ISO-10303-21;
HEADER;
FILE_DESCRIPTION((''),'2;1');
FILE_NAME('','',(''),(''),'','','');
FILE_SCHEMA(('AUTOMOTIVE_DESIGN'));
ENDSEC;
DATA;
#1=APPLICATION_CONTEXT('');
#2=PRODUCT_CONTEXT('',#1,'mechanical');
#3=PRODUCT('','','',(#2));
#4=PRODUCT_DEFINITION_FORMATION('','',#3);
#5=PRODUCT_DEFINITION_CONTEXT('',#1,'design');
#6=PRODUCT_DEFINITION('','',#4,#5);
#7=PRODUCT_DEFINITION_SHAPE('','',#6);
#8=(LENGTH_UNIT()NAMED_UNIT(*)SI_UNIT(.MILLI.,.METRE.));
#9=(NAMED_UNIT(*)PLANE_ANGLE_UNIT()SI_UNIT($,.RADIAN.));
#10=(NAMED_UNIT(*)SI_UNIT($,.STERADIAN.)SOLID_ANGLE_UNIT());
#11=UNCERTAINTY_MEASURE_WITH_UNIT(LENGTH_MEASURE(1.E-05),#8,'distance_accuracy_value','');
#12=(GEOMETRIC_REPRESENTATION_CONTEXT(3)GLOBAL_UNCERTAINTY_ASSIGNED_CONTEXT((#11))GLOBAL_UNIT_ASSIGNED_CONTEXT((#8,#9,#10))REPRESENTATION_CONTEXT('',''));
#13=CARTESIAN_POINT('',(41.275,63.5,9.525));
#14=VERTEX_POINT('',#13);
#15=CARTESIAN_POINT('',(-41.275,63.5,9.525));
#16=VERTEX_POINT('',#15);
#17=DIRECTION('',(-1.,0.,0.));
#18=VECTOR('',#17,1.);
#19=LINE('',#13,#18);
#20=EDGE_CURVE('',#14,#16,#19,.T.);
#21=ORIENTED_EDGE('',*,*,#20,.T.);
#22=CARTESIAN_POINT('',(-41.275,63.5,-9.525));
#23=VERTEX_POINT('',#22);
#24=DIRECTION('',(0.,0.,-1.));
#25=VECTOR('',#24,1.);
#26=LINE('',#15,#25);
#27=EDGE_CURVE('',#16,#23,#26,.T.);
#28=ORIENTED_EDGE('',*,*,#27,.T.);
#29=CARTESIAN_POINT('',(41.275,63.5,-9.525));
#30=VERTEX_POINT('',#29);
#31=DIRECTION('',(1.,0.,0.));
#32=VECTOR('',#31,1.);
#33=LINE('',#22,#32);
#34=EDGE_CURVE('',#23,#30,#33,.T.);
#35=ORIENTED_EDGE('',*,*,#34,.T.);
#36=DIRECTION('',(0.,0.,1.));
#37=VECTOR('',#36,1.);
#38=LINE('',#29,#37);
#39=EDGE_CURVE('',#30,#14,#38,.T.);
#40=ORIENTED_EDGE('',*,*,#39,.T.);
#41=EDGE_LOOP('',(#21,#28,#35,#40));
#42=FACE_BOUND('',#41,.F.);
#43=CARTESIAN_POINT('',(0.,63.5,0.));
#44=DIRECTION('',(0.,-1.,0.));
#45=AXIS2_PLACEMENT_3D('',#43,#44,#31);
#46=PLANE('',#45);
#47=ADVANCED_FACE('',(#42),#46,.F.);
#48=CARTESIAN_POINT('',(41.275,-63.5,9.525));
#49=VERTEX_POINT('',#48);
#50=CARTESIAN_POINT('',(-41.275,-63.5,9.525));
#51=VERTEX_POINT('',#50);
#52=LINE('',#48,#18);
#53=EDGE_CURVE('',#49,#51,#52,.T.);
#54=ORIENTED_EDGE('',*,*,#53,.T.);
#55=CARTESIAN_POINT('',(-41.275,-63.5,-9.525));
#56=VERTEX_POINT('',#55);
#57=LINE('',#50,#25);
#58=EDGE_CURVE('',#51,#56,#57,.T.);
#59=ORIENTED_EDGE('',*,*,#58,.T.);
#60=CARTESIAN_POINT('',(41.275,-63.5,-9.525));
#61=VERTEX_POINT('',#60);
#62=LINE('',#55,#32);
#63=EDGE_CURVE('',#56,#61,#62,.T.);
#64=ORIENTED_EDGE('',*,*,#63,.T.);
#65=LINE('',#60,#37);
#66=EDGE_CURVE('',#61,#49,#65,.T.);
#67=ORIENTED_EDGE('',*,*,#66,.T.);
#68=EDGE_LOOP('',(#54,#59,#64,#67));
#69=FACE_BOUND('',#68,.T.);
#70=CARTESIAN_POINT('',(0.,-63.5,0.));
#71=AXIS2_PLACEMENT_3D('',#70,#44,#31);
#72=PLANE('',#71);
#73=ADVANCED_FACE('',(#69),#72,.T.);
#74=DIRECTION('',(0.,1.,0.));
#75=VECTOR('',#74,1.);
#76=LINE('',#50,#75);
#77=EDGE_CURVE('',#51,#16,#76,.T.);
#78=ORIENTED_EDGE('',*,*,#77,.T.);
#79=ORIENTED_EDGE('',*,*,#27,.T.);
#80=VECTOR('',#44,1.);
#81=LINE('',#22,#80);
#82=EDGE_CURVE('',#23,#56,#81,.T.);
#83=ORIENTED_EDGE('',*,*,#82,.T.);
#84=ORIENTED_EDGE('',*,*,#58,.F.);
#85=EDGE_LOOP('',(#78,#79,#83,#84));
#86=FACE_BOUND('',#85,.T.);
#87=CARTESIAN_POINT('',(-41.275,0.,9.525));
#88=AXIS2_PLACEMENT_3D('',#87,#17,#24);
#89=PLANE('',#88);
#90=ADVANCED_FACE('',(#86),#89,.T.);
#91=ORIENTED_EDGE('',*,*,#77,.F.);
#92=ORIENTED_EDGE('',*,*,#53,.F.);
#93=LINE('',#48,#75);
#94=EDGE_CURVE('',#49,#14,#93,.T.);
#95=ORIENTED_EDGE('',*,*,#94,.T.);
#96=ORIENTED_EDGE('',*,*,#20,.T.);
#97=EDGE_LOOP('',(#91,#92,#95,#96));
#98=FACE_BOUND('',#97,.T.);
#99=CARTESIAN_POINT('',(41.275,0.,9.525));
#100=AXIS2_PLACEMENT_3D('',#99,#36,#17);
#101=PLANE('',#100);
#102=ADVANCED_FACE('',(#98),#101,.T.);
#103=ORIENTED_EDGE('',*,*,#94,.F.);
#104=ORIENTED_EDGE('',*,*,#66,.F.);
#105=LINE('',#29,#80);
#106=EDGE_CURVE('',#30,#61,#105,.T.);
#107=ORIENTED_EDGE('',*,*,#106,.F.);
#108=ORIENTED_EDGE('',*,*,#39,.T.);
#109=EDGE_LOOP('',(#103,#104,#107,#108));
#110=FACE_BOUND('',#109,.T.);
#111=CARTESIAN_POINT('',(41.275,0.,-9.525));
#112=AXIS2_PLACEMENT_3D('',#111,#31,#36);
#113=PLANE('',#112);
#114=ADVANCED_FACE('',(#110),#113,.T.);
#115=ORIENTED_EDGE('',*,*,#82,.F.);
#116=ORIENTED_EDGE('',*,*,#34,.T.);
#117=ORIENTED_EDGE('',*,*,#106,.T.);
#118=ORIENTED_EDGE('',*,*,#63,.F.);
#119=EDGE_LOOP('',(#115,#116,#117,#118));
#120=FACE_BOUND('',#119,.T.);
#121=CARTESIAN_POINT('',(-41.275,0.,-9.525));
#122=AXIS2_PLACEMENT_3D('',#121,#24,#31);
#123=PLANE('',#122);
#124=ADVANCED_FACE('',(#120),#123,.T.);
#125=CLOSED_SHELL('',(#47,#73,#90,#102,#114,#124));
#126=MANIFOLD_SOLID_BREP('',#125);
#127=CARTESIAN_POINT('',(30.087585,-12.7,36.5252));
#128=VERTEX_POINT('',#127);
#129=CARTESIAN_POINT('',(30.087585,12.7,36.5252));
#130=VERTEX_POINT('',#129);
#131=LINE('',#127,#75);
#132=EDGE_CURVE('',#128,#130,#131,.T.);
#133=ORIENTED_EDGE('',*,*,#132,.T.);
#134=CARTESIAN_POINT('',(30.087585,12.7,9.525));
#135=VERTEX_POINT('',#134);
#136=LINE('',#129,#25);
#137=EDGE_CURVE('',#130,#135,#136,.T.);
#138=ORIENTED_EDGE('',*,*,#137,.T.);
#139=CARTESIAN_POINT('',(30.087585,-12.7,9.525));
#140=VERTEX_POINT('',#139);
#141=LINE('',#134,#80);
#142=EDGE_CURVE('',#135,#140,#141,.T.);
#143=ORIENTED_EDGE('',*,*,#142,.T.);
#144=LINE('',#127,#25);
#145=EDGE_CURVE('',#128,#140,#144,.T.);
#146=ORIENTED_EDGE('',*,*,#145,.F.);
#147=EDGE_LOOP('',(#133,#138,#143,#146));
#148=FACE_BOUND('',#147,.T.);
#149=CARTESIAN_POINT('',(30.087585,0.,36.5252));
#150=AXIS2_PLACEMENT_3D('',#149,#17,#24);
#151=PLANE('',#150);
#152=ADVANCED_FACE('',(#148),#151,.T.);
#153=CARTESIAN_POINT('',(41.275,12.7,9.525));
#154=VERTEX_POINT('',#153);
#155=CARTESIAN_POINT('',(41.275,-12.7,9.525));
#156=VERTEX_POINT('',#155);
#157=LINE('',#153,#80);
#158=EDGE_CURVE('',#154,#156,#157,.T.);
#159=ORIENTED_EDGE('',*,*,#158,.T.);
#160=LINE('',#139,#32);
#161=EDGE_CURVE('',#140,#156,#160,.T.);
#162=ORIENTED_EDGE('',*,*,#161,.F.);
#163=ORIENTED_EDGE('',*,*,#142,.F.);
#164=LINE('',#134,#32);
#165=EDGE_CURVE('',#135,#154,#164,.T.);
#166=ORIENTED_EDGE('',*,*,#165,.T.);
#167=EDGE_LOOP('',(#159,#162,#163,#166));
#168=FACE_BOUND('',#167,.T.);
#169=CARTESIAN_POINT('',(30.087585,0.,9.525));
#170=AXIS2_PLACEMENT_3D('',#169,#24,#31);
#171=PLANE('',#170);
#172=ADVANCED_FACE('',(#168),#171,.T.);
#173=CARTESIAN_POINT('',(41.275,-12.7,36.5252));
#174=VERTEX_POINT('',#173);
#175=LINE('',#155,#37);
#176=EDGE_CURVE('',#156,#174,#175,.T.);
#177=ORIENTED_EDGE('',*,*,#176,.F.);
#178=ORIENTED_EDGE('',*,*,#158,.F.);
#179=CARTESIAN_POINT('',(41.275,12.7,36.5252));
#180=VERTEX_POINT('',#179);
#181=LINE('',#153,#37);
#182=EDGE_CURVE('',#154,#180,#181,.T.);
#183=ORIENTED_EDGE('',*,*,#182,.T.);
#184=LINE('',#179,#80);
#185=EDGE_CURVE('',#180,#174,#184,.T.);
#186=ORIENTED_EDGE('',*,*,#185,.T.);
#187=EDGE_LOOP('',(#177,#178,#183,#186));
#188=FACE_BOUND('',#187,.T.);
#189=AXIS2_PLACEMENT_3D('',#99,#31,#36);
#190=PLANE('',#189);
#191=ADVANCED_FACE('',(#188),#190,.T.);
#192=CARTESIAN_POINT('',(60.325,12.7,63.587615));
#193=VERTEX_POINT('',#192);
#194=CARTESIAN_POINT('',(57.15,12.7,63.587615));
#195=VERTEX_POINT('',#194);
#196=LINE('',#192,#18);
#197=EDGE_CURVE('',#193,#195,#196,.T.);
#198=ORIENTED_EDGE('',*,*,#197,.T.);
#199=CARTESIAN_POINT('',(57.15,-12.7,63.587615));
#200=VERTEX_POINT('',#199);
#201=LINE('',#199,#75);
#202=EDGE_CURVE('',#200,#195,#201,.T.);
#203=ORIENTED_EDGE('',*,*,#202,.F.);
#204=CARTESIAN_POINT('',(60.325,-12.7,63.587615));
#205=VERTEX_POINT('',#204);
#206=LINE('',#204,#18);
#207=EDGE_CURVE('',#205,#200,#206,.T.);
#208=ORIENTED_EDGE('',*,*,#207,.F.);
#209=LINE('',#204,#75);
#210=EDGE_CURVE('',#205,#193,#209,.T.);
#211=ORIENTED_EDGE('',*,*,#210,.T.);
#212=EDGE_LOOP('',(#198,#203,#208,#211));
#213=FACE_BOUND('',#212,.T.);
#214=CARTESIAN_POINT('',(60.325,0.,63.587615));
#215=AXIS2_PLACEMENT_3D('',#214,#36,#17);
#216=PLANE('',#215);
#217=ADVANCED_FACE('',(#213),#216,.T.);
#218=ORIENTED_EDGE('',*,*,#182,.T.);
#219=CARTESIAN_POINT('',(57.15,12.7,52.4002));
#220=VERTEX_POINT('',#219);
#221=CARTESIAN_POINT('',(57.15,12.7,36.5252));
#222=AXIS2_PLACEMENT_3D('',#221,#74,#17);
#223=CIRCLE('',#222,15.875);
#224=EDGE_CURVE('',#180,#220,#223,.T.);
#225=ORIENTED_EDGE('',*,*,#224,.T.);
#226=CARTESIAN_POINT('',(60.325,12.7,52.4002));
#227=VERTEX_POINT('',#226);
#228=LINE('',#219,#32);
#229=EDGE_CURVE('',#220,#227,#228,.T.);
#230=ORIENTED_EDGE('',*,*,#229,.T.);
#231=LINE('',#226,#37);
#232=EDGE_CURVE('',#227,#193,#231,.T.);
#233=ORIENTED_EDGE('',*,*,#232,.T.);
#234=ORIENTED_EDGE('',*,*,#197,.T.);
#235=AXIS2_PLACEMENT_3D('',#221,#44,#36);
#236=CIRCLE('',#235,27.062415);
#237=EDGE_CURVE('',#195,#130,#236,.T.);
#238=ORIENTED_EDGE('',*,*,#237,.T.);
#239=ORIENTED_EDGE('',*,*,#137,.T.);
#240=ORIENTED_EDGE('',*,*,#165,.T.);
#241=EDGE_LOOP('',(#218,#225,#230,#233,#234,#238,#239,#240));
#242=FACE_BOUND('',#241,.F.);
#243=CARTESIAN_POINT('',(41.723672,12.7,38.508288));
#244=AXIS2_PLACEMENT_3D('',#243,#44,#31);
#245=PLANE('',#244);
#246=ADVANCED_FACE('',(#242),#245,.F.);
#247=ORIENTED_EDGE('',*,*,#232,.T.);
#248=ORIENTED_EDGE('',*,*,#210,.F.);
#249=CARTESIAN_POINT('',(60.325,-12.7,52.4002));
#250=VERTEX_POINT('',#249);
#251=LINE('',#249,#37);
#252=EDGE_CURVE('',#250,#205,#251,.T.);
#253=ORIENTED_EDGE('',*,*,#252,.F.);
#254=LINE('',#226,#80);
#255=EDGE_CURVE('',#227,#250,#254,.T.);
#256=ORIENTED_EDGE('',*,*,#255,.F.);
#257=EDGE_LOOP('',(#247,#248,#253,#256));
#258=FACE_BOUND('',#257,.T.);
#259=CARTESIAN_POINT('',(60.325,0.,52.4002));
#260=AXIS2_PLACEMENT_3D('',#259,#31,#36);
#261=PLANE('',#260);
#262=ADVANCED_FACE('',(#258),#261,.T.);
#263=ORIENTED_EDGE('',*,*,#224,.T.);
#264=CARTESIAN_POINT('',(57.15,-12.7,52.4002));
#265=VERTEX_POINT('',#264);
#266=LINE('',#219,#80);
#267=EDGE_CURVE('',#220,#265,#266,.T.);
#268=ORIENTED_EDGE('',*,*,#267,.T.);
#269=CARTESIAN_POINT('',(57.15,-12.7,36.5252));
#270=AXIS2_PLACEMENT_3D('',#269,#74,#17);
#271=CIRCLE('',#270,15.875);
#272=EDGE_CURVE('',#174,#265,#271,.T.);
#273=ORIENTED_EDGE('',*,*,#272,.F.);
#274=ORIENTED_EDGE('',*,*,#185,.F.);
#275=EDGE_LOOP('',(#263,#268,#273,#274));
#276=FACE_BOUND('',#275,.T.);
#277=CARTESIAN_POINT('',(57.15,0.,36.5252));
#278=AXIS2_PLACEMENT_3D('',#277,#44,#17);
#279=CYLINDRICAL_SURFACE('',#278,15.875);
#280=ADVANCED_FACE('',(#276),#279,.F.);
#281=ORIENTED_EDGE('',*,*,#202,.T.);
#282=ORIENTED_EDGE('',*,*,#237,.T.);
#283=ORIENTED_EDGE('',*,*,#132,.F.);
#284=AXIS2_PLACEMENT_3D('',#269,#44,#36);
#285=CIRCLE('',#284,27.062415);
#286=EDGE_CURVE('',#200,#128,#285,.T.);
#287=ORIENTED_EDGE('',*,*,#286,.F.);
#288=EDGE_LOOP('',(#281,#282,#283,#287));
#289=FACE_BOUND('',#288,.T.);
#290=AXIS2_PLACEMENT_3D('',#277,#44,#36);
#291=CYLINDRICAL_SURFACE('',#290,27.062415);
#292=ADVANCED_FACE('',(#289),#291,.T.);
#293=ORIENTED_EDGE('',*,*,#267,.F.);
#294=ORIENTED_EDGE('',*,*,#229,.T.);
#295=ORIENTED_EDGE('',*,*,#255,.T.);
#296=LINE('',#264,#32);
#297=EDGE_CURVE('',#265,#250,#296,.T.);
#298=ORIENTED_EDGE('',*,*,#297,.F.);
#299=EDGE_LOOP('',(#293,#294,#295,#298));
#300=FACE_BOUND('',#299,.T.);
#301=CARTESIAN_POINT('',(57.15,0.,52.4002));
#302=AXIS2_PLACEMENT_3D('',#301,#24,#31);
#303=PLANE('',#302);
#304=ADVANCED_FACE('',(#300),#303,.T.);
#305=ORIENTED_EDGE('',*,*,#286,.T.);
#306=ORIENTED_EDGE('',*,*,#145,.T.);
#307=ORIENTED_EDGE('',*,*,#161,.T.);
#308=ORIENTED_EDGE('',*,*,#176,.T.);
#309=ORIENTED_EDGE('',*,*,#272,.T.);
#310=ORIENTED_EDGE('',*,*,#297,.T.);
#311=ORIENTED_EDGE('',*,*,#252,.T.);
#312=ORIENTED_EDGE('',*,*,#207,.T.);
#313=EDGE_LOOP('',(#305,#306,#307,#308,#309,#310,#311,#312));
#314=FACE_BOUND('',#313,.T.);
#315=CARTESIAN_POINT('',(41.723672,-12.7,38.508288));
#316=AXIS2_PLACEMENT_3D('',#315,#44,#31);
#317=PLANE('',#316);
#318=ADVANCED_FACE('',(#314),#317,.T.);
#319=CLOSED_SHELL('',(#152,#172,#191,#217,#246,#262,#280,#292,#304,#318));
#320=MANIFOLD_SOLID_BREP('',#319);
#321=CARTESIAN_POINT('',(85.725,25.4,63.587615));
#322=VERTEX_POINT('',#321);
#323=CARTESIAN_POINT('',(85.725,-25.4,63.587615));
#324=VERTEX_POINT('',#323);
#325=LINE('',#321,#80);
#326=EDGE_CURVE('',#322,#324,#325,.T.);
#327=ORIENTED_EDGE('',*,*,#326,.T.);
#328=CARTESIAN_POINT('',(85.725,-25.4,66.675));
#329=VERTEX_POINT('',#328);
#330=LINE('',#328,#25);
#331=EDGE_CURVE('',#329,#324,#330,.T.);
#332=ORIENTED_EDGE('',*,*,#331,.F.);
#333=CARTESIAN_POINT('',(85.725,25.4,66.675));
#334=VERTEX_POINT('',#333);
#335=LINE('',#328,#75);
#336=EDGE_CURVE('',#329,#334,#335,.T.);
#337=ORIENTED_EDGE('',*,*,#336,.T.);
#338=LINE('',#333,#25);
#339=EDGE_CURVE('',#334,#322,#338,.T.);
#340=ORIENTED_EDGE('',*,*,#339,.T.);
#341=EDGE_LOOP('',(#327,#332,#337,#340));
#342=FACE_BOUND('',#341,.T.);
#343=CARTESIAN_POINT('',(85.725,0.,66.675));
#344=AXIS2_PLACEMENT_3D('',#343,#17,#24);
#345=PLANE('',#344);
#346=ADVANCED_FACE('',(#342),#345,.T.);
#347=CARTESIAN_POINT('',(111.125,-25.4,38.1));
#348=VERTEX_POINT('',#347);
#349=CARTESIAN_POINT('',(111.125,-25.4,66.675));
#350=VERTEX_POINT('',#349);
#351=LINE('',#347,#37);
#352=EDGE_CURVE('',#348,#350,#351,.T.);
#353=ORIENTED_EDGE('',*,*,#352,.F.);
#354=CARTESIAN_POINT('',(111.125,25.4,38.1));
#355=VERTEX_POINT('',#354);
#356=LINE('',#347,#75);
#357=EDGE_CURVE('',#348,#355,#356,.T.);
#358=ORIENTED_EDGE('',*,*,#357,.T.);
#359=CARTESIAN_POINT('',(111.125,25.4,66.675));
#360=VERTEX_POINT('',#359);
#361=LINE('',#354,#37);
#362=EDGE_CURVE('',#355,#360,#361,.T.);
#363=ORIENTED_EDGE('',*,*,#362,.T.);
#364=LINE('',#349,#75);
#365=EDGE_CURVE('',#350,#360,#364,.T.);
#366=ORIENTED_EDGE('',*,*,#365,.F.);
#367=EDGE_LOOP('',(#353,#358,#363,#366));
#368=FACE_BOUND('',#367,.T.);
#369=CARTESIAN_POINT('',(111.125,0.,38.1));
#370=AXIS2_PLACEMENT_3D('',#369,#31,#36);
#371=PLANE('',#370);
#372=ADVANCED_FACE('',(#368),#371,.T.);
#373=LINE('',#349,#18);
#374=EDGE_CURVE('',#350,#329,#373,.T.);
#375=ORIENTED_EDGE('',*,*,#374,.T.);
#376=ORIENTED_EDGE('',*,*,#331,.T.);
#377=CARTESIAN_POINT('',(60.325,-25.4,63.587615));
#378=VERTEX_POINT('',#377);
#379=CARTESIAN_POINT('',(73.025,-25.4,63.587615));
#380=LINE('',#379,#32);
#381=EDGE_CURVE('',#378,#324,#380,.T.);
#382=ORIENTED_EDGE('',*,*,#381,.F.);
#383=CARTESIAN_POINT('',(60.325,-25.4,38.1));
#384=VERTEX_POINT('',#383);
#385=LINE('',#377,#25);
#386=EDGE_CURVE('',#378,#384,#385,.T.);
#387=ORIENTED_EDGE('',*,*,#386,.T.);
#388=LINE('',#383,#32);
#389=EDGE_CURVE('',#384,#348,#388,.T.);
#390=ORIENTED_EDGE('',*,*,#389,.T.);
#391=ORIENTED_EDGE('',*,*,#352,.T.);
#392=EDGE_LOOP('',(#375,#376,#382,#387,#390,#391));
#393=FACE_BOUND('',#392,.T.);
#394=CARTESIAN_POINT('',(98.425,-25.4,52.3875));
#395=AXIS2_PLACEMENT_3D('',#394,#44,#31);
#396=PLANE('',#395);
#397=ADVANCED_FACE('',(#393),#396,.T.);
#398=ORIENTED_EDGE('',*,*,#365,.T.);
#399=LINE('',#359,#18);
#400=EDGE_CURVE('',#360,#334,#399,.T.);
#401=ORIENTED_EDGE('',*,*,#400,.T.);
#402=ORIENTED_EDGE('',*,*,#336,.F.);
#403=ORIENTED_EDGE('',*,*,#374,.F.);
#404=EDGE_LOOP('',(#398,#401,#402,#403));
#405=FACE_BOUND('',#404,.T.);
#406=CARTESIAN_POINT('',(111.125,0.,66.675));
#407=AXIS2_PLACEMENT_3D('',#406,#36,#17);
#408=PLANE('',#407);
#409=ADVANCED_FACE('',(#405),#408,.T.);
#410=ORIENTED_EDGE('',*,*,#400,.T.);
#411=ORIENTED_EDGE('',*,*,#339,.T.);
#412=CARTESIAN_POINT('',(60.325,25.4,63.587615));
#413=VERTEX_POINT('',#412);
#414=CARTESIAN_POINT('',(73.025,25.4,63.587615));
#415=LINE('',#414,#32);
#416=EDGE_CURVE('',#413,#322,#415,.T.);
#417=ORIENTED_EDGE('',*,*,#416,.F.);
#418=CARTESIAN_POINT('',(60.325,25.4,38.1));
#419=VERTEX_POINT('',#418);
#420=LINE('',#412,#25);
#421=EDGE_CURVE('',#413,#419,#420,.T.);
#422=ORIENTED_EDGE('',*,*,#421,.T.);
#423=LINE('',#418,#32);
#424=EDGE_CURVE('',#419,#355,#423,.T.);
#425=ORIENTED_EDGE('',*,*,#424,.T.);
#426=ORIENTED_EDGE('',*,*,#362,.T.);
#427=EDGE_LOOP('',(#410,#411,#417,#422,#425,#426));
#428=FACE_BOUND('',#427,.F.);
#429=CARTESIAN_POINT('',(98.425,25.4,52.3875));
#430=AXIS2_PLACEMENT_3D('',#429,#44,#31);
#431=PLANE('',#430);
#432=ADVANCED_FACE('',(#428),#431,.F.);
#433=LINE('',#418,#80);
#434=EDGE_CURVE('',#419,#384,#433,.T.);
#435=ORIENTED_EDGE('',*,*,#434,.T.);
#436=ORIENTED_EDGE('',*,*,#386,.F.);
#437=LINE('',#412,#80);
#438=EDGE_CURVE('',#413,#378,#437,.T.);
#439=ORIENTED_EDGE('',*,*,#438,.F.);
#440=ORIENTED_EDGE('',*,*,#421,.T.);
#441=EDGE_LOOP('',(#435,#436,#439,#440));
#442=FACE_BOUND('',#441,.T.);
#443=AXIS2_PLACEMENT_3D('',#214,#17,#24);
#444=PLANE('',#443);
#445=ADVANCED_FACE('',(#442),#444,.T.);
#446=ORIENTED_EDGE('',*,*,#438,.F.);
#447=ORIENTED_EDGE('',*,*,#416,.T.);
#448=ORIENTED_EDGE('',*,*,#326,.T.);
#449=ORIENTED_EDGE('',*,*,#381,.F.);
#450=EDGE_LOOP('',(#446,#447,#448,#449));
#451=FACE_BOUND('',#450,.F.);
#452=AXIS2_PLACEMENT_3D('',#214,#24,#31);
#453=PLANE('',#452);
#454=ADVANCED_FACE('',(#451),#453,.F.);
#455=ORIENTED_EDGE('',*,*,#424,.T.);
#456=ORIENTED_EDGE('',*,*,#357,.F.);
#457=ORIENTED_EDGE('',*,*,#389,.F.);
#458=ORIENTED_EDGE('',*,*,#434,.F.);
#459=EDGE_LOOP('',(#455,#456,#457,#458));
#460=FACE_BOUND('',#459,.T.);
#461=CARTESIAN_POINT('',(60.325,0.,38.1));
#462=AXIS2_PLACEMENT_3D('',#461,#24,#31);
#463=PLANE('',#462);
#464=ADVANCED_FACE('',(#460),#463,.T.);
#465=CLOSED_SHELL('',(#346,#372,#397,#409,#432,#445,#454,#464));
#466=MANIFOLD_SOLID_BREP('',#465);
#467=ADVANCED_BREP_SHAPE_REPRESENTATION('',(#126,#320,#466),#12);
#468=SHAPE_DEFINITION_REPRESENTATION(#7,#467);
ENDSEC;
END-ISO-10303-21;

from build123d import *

# Parameters (mm, degrees)
F1_DEPTH = 63.5
F0_W     = 25.4
F0_H     = 14.3002
F0_H_2   = 11.1874153703
F2_DEPTH = 25.4
F3_DEPTH = 12.7


with BuildPart() as f1:
    # F0 (on Front) → F1 (new body, symmetric)
    with BuildSketch(Plane.XZ):
        Polygon((30.0875846297, 9.525), (-41.275, 9.525), (-41.275, -9.525), (41.275, -9.525), (41.275, 9.525), align=None)
    extrude(amount=F1_DEPTH, both=True)


with BuildPart() as f2:
    # F0 (on Front) → F2 (new body, symmetric)
    with BuildSketch(Plane.XZ):
        Polygon((85.725, 66.675), (85.725, 63.5876153703), (85.725, 52.4002), (85.725, 38.1), (111.125, 38.1), (111.125, 66.675), align=None)
        with Locations((73.025, 45.2501)):
            Rectangle(F0_W, F0_H)
        with Locations((73.025, 57.9939076852)):
            Rectangle(F0_W, F0_H_2)
    extrude(amount=F2_DEPTH, both=True)


with BuildPart() as f3:
    # F0 (on Front) → F3 (new body, symmetric)
    with BuildSketch(Plane.XZ):
        with BuildLine():
            Line((30.0875846297, 36.5252), (30.0875846297, 9.525))
            Line((30.0875846297, 9.525), (41.275, 9.525))
            Line((41.275, 9.525), (41.275, 36.5252))
            ThreePointArc((41.275, 36.5252), (45.9246798487, 47.7505201513), (57.15, 52.4002))
            Line((57.15, 52.4002), (60.325, 52.4002))
            Line((60.325, 52.4002), (60.325, 63.5876153703))
            Line((60.325, 63.5876153703), (57.15, 63.5876153703))
            ThreePointArc((57.15, 63.5876153703), (38.0139825763, 55.6612174237), (30.0875846297, 36.5252))
        make_face()
    extrude(amount=F3_DEPTH, both=True)


solid = Compound([f1.part, f2.part, f3.part])
